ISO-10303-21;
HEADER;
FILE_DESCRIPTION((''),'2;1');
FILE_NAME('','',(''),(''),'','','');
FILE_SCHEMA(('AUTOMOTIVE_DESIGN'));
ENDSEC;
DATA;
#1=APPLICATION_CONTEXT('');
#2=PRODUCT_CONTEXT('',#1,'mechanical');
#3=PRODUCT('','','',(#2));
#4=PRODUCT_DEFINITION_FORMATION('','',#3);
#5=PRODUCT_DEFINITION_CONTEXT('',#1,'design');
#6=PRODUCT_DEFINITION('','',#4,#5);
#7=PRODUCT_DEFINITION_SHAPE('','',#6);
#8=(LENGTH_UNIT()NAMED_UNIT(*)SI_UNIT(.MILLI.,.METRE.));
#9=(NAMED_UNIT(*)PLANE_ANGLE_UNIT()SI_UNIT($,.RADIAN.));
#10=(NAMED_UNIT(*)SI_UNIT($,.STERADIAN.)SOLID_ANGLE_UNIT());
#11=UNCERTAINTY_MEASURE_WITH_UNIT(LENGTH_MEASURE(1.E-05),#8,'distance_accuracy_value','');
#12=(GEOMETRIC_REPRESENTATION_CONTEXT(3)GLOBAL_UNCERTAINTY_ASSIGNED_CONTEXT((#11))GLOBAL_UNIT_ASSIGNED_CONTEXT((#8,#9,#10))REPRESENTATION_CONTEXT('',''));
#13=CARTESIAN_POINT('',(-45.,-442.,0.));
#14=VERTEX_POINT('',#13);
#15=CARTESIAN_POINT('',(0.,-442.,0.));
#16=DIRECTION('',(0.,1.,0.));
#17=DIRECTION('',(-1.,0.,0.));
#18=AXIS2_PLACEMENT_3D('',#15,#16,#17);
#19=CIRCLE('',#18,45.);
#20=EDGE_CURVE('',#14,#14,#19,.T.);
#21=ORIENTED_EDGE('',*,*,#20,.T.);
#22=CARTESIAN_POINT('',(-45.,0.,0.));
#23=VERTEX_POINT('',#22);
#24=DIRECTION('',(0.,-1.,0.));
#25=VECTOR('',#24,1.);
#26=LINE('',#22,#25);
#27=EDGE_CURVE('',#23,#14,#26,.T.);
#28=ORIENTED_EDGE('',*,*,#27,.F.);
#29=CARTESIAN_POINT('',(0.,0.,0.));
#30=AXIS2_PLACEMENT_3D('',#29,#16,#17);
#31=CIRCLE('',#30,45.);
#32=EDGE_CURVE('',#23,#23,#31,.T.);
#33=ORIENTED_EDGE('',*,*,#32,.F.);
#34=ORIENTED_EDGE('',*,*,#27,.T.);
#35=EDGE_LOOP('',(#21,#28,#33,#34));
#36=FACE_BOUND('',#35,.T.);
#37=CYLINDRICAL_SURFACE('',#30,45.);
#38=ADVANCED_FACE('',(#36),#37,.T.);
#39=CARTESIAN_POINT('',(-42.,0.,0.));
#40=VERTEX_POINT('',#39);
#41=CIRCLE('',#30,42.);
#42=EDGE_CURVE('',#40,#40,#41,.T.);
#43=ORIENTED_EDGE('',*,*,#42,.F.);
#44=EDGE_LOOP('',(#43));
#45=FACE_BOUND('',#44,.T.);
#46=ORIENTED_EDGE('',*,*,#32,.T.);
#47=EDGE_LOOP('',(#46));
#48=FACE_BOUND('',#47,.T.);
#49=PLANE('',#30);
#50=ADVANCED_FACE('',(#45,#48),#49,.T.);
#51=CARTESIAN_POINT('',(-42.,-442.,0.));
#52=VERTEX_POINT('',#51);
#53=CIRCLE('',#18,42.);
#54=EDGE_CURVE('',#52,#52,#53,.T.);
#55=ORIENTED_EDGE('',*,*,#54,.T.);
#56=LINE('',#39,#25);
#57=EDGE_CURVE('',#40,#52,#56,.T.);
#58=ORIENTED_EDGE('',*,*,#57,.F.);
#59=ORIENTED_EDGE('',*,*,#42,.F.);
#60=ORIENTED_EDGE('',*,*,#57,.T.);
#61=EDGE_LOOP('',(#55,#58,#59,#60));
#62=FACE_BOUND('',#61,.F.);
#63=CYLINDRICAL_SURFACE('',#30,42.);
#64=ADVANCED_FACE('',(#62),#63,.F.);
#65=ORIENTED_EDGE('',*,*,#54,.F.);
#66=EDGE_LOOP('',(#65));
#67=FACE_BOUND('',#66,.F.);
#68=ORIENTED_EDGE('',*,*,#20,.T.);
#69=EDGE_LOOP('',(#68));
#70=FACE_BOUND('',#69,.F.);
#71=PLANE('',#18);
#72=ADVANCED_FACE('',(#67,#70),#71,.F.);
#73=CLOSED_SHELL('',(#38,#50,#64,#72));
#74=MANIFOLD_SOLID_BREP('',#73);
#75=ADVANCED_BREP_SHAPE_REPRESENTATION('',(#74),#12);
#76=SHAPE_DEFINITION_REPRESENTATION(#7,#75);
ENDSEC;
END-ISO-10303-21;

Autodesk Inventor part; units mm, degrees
ref_plane "YZ Plane" through (0, 0, 0) normal (1, 0, 0) x (0, 1, 0)
ref_plane "XZ Plane" through (0, 0, 0) normal (0, 1, 0) x (-1, 0, 0)
ref_plane "XY Plane" through (0, 0, 0) normal (0, 0, 1) x (1, 0, 0)
sketch "Sketch1" plane through (0, 0, 0) normal (0, 1, 0) x (-1, 0, 0)
  circle A0 centre (0, 0) radius 45
  circle A1 centre (0, 0) radius 42
  dimension "d0" = 90
  dimension "d1" = 3
extrude "Extrusion1" add sketch "Sketch1" against normal blind 442
properties part number "PNS 1615 FDS tube 5"
